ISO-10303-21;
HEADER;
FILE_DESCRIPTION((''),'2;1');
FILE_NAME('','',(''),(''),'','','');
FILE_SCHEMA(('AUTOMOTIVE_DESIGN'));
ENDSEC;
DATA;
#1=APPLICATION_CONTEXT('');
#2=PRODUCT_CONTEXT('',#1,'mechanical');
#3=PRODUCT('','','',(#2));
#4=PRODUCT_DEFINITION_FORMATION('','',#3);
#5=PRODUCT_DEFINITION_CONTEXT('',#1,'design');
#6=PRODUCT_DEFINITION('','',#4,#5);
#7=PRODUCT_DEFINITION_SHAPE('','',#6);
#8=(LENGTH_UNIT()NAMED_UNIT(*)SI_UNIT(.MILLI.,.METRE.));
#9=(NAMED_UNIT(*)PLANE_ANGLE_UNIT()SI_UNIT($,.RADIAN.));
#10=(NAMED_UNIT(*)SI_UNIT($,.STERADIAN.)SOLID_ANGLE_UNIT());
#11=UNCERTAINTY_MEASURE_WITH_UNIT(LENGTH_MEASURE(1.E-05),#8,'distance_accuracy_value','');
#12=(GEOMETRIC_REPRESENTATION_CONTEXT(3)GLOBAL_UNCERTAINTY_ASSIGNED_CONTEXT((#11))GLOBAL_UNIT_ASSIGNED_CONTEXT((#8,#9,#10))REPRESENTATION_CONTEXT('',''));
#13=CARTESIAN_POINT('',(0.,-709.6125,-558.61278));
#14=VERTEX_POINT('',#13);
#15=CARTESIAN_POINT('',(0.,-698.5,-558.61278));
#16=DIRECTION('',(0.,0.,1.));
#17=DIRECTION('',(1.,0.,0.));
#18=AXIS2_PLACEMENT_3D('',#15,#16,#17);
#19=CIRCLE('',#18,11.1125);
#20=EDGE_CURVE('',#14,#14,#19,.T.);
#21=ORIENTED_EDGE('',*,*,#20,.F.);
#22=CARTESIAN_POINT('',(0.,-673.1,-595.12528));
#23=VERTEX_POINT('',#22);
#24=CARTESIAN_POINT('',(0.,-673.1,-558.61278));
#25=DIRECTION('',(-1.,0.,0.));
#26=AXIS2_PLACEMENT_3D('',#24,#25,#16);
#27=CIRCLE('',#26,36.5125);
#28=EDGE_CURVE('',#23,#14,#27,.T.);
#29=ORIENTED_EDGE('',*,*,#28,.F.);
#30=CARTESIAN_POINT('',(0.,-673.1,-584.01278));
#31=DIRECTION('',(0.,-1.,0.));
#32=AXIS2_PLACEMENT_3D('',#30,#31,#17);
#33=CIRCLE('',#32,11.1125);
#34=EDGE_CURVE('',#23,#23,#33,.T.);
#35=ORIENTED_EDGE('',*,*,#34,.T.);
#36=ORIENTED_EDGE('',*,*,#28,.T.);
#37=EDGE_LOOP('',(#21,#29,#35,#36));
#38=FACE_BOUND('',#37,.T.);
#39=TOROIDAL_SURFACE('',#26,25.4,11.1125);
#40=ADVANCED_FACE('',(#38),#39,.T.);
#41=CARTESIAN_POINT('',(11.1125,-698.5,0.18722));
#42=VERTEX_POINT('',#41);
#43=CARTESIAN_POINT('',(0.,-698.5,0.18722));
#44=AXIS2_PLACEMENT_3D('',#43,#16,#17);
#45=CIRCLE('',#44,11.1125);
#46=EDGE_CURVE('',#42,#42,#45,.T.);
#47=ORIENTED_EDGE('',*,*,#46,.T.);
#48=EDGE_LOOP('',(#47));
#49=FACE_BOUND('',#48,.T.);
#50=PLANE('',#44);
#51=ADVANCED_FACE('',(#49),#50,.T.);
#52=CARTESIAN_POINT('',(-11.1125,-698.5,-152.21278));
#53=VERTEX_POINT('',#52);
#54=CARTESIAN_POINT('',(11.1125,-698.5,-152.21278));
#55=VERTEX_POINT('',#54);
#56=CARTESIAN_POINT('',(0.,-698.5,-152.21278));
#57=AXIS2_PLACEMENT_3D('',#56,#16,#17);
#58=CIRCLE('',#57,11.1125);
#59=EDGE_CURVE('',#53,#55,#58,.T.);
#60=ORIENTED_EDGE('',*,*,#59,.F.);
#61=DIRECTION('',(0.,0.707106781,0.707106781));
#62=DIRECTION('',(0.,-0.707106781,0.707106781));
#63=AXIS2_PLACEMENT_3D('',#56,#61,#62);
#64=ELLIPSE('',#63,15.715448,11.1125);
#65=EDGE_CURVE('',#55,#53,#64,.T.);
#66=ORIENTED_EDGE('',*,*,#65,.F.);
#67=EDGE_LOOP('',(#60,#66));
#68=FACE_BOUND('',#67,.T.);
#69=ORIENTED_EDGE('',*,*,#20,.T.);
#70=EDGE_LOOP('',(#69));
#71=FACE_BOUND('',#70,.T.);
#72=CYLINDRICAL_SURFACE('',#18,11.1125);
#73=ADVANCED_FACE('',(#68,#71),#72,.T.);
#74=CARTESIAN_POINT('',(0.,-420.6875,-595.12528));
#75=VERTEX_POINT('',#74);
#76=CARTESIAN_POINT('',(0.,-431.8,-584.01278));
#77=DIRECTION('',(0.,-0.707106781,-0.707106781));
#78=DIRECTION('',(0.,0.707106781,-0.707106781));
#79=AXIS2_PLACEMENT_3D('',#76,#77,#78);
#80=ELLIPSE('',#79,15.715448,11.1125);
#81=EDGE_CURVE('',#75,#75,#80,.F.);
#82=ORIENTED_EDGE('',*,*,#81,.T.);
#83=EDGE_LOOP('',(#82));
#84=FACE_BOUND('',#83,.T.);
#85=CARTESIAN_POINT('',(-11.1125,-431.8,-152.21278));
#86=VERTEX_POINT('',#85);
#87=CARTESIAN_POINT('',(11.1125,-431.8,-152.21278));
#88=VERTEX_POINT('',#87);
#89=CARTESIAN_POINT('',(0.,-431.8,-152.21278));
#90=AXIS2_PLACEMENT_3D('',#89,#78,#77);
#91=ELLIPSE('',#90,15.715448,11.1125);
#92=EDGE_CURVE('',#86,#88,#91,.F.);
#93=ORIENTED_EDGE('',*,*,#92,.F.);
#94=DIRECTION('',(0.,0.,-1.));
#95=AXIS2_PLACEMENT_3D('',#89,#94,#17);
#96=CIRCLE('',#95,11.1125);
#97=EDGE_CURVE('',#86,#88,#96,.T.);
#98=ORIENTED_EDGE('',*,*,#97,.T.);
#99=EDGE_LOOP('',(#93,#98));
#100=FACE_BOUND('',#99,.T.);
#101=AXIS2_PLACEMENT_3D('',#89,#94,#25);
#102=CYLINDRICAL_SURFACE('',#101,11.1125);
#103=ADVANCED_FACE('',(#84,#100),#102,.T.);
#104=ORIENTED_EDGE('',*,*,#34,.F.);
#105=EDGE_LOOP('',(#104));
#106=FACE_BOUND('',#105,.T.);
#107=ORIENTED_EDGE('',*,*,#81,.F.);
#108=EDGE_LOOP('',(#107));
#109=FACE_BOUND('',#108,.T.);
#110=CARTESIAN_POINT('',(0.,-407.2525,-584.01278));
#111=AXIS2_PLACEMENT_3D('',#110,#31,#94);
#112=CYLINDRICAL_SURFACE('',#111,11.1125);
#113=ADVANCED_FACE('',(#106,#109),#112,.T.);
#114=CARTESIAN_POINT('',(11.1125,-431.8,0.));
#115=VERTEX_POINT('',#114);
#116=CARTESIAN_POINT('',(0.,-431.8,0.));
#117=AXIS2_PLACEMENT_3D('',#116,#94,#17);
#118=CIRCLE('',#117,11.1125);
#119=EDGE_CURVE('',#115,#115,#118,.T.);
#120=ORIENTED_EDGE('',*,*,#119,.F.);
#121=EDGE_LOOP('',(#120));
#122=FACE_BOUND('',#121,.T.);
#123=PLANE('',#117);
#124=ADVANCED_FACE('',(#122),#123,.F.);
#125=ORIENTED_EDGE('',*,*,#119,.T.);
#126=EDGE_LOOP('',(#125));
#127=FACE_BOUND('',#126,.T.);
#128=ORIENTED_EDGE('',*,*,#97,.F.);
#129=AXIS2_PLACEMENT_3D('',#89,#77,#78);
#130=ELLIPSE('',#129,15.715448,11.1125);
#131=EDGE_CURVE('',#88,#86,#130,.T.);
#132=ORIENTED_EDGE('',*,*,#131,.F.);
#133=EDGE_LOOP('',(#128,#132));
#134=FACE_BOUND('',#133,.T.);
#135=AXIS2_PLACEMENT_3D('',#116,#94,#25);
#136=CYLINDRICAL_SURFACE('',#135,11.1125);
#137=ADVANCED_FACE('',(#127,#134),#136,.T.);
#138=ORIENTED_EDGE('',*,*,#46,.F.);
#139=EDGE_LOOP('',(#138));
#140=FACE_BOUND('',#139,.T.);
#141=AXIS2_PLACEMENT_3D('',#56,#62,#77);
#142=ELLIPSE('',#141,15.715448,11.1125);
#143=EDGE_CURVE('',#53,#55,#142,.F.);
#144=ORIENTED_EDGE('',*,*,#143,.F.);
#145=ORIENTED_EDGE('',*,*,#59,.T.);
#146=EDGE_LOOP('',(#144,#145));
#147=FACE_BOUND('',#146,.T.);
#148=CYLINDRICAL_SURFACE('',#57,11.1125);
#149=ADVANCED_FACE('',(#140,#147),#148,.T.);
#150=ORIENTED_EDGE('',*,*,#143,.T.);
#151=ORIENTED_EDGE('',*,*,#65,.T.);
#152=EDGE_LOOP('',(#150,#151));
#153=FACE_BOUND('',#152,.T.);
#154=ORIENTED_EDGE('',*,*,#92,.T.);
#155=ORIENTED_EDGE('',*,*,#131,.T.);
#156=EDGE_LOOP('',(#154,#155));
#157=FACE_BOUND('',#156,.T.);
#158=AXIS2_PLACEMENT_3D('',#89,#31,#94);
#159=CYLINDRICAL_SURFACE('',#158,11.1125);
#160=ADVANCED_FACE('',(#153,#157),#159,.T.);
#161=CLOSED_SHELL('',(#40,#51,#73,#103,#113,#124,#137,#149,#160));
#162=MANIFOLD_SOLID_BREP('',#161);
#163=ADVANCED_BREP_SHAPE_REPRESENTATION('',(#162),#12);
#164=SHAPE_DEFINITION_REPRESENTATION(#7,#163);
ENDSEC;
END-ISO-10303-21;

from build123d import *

# Parameters (mm, degrees)
SKETCH3_R   = 11.1125
SKETCH3_8_R = 11.1125


with BuildPart() as part:
    # Sweep1: sweep along a path in Sketch1
    with BuildLine(Plane(origin=(0, 0, 0), x_dir=(0, 0, -1), z_dir=(1, 0, 0))) as sweep1_path:
        Line((0, -431.8), (152.212779539, -431.8))
        Line((152.212779539, -431.8), (584.012779539, -431.8))
        Line((584.012779539, -431.8), (584.012779539, -673.1))
        ThreePointArc((584.012779539, -673.1), (576.573291781, -691.060512242), (558.612779539, -698.5))
        Line((558.612779539, -698.5), (152.212779539, -698.5))
        Line((152.212779539, -698.5), (-0.187220461, -698.5))
    # Sketch3 → Sweep1 (sweep)
    with BuildSketch(Plane.XY):
        with Locations((0, -698.5)):
            Circle(SKETCH3_R)
    sweep(path=sweep1_path.line, transition=Transition.RIGHT)

    # Sweep2: sweep along a path in Sketch1<23>
    with BuildLine(Plane(origin=(0, 0, 0), x_dir=(0, 0, -1), z_dir=(1, 0, 0))) as sweep2_path:
        Line((-0.187220461, -698.5), (152.212779539, -698.5))
        Line((152.212779539, -698.5), (152.212779539, -431.8))
    # Sketch3<8> → Sweep2 (sweep)
    with BuildSketch(Plane.XY):
        with Locations((0, -698.5)):
            Circle(SKETCH3_8_R)
    sweep(path=sweep2_path.line, transition=Transition.RIGHT)


solid = part.part
